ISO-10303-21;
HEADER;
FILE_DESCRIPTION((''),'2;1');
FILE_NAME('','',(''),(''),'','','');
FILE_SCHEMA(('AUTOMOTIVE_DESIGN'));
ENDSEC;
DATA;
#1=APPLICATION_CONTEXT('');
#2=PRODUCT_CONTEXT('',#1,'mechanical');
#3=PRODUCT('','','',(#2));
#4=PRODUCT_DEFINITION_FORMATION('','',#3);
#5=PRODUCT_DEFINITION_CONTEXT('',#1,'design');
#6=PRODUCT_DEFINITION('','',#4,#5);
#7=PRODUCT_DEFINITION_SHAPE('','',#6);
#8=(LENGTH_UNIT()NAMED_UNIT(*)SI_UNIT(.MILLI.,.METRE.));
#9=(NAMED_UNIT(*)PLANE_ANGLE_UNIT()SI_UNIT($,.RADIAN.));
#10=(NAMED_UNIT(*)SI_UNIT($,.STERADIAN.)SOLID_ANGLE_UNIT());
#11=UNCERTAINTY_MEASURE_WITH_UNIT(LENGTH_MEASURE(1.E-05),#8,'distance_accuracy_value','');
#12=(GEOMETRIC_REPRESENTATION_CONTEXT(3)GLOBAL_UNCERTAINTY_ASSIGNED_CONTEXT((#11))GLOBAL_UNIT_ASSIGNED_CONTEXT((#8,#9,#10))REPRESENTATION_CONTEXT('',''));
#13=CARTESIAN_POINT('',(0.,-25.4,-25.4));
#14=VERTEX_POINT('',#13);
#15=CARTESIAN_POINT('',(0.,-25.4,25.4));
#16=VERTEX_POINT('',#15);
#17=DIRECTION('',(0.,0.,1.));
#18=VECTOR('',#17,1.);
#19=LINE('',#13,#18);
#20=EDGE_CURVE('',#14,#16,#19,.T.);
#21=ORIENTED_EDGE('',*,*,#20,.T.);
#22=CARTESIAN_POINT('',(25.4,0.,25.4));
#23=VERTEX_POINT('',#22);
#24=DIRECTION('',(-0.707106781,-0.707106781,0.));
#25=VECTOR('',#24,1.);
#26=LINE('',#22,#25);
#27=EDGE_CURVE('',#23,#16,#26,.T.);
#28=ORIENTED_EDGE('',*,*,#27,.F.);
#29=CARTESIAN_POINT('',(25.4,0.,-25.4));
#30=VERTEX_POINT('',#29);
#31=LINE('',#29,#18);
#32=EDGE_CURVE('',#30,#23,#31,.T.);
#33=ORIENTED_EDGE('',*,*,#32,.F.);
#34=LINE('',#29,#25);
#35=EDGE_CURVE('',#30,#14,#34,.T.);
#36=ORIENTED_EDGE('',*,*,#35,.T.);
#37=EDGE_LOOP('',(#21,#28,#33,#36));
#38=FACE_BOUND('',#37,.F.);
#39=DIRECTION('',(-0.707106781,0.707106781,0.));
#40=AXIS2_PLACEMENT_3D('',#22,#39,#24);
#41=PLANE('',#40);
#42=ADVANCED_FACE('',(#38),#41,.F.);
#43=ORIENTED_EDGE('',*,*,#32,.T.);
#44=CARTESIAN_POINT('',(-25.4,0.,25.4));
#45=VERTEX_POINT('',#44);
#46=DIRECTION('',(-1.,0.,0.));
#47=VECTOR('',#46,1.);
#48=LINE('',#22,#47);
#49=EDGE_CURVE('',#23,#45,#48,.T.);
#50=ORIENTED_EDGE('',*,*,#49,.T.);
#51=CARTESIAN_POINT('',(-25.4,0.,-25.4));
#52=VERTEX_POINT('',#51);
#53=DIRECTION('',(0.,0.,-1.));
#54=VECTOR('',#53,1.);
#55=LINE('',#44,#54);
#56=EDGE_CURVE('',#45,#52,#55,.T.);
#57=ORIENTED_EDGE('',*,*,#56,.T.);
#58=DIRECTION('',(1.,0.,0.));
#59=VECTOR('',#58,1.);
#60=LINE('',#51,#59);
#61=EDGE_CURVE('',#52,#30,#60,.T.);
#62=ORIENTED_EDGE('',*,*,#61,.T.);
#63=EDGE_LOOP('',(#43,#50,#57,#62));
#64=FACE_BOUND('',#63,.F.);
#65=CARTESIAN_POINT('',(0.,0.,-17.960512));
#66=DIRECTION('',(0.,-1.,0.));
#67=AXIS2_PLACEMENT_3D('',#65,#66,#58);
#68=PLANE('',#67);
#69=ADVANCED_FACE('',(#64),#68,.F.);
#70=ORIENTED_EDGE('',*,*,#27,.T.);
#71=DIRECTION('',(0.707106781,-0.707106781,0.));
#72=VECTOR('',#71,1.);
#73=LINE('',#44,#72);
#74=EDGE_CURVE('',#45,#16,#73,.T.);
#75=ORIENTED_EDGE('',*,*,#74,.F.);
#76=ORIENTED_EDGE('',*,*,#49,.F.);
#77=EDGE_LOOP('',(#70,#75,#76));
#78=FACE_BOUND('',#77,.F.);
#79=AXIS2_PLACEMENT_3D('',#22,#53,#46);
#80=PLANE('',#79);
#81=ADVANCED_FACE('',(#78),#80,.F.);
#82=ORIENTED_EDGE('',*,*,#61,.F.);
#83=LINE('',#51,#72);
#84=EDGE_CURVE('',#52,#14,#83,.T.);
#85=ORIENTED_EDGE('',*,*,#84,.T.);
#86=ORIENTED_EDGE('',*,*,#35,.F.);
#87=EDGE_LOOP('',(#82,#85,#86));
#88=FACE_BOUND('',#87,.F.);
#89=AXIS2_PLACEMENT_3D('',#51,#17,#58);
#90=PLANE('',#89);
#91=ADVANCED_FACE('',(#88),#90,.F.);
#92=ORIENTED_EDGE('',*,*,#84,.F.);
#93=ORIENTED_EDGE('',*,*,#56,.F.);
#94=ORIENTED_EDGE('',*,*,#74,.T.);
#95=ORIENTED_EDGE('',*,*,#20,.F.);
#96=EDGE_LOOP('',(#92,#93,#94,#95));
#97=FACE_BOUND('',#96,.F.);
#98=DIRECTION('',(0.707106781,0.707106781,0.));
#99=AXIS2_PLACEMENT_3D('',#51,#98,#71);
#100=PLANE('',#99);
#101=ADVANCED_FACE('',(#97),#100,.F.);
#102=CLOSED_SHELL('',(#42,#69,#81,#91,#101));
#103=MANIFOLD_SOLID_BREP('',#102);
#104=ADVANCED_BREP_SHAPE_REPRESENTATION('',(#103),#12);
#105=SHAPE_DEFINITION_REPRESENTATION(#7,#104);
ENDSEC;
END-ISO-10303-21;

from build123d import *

# Parameters (mm, degrees)
F1_DEPTH = 25.4
F2_DEPTH = 25.4
F3_DEPTH = 25.4
F4_DEPTH = 25.4
F6_DEPTH = 50.8
F8_DEPTH = 50.8


with BuildPart() as f1:
    # F0 (on Front) → F1 (new body)
    with BuildSketch(Plane.XZ):
        Polygon((-25.4, 25.4), (-25.4, -25.4), (0, 0), align=None)
    extrude(amount=F1_DEPTH)

    # F0 (on Front) → F2 (join)
    with BuildSketch(Plane.XZ):
        Polygon((0, 0), (25.4, 25.4), (-25.4, 25.4), align=None)
    extrude(amount=F2_DEPTH)

    # F0 (on Front) → F3 (join)
    with BuildSketch(Plane.XZ):
        Polygon((0, 0), (25.4, -25.4), (25.4, 25.4), align=None)
    extrude(amount=F3_DEPTH)

    # F0 (on Front) → F4 (join)
    with BuildSketch(Plane.XZ):
        Polygon((-25.4, -25.4), (25.4, -25.4), (0, 0), align=None)
    extrude(amount=F4_DEPTH)

    # F5 (on face) → F6 (cut)
    with BuildSketch(Plane(origin=(0, 0, -25.4), x_dir=(1, 0, 0), z_dir=(0, 0, -1))):
        Polygon((-25.4, 0), (0, 25.4), (-25.4, 25.4), align=None)
    extrude(amount=-F6_DEPTH, mode=Mode.SUBTRACT)

    # F7 (on face) → F8 (cut)
    with BuildSketch(Plane.XY.offset(25.4)):
        Polygon((25.4, 0), (0, -25.4), (25.4, -25.4), align=None)
    extrude(amount=-F8_DEPTH, mode=Mode.SUBTRACT)


solid = f1.part
